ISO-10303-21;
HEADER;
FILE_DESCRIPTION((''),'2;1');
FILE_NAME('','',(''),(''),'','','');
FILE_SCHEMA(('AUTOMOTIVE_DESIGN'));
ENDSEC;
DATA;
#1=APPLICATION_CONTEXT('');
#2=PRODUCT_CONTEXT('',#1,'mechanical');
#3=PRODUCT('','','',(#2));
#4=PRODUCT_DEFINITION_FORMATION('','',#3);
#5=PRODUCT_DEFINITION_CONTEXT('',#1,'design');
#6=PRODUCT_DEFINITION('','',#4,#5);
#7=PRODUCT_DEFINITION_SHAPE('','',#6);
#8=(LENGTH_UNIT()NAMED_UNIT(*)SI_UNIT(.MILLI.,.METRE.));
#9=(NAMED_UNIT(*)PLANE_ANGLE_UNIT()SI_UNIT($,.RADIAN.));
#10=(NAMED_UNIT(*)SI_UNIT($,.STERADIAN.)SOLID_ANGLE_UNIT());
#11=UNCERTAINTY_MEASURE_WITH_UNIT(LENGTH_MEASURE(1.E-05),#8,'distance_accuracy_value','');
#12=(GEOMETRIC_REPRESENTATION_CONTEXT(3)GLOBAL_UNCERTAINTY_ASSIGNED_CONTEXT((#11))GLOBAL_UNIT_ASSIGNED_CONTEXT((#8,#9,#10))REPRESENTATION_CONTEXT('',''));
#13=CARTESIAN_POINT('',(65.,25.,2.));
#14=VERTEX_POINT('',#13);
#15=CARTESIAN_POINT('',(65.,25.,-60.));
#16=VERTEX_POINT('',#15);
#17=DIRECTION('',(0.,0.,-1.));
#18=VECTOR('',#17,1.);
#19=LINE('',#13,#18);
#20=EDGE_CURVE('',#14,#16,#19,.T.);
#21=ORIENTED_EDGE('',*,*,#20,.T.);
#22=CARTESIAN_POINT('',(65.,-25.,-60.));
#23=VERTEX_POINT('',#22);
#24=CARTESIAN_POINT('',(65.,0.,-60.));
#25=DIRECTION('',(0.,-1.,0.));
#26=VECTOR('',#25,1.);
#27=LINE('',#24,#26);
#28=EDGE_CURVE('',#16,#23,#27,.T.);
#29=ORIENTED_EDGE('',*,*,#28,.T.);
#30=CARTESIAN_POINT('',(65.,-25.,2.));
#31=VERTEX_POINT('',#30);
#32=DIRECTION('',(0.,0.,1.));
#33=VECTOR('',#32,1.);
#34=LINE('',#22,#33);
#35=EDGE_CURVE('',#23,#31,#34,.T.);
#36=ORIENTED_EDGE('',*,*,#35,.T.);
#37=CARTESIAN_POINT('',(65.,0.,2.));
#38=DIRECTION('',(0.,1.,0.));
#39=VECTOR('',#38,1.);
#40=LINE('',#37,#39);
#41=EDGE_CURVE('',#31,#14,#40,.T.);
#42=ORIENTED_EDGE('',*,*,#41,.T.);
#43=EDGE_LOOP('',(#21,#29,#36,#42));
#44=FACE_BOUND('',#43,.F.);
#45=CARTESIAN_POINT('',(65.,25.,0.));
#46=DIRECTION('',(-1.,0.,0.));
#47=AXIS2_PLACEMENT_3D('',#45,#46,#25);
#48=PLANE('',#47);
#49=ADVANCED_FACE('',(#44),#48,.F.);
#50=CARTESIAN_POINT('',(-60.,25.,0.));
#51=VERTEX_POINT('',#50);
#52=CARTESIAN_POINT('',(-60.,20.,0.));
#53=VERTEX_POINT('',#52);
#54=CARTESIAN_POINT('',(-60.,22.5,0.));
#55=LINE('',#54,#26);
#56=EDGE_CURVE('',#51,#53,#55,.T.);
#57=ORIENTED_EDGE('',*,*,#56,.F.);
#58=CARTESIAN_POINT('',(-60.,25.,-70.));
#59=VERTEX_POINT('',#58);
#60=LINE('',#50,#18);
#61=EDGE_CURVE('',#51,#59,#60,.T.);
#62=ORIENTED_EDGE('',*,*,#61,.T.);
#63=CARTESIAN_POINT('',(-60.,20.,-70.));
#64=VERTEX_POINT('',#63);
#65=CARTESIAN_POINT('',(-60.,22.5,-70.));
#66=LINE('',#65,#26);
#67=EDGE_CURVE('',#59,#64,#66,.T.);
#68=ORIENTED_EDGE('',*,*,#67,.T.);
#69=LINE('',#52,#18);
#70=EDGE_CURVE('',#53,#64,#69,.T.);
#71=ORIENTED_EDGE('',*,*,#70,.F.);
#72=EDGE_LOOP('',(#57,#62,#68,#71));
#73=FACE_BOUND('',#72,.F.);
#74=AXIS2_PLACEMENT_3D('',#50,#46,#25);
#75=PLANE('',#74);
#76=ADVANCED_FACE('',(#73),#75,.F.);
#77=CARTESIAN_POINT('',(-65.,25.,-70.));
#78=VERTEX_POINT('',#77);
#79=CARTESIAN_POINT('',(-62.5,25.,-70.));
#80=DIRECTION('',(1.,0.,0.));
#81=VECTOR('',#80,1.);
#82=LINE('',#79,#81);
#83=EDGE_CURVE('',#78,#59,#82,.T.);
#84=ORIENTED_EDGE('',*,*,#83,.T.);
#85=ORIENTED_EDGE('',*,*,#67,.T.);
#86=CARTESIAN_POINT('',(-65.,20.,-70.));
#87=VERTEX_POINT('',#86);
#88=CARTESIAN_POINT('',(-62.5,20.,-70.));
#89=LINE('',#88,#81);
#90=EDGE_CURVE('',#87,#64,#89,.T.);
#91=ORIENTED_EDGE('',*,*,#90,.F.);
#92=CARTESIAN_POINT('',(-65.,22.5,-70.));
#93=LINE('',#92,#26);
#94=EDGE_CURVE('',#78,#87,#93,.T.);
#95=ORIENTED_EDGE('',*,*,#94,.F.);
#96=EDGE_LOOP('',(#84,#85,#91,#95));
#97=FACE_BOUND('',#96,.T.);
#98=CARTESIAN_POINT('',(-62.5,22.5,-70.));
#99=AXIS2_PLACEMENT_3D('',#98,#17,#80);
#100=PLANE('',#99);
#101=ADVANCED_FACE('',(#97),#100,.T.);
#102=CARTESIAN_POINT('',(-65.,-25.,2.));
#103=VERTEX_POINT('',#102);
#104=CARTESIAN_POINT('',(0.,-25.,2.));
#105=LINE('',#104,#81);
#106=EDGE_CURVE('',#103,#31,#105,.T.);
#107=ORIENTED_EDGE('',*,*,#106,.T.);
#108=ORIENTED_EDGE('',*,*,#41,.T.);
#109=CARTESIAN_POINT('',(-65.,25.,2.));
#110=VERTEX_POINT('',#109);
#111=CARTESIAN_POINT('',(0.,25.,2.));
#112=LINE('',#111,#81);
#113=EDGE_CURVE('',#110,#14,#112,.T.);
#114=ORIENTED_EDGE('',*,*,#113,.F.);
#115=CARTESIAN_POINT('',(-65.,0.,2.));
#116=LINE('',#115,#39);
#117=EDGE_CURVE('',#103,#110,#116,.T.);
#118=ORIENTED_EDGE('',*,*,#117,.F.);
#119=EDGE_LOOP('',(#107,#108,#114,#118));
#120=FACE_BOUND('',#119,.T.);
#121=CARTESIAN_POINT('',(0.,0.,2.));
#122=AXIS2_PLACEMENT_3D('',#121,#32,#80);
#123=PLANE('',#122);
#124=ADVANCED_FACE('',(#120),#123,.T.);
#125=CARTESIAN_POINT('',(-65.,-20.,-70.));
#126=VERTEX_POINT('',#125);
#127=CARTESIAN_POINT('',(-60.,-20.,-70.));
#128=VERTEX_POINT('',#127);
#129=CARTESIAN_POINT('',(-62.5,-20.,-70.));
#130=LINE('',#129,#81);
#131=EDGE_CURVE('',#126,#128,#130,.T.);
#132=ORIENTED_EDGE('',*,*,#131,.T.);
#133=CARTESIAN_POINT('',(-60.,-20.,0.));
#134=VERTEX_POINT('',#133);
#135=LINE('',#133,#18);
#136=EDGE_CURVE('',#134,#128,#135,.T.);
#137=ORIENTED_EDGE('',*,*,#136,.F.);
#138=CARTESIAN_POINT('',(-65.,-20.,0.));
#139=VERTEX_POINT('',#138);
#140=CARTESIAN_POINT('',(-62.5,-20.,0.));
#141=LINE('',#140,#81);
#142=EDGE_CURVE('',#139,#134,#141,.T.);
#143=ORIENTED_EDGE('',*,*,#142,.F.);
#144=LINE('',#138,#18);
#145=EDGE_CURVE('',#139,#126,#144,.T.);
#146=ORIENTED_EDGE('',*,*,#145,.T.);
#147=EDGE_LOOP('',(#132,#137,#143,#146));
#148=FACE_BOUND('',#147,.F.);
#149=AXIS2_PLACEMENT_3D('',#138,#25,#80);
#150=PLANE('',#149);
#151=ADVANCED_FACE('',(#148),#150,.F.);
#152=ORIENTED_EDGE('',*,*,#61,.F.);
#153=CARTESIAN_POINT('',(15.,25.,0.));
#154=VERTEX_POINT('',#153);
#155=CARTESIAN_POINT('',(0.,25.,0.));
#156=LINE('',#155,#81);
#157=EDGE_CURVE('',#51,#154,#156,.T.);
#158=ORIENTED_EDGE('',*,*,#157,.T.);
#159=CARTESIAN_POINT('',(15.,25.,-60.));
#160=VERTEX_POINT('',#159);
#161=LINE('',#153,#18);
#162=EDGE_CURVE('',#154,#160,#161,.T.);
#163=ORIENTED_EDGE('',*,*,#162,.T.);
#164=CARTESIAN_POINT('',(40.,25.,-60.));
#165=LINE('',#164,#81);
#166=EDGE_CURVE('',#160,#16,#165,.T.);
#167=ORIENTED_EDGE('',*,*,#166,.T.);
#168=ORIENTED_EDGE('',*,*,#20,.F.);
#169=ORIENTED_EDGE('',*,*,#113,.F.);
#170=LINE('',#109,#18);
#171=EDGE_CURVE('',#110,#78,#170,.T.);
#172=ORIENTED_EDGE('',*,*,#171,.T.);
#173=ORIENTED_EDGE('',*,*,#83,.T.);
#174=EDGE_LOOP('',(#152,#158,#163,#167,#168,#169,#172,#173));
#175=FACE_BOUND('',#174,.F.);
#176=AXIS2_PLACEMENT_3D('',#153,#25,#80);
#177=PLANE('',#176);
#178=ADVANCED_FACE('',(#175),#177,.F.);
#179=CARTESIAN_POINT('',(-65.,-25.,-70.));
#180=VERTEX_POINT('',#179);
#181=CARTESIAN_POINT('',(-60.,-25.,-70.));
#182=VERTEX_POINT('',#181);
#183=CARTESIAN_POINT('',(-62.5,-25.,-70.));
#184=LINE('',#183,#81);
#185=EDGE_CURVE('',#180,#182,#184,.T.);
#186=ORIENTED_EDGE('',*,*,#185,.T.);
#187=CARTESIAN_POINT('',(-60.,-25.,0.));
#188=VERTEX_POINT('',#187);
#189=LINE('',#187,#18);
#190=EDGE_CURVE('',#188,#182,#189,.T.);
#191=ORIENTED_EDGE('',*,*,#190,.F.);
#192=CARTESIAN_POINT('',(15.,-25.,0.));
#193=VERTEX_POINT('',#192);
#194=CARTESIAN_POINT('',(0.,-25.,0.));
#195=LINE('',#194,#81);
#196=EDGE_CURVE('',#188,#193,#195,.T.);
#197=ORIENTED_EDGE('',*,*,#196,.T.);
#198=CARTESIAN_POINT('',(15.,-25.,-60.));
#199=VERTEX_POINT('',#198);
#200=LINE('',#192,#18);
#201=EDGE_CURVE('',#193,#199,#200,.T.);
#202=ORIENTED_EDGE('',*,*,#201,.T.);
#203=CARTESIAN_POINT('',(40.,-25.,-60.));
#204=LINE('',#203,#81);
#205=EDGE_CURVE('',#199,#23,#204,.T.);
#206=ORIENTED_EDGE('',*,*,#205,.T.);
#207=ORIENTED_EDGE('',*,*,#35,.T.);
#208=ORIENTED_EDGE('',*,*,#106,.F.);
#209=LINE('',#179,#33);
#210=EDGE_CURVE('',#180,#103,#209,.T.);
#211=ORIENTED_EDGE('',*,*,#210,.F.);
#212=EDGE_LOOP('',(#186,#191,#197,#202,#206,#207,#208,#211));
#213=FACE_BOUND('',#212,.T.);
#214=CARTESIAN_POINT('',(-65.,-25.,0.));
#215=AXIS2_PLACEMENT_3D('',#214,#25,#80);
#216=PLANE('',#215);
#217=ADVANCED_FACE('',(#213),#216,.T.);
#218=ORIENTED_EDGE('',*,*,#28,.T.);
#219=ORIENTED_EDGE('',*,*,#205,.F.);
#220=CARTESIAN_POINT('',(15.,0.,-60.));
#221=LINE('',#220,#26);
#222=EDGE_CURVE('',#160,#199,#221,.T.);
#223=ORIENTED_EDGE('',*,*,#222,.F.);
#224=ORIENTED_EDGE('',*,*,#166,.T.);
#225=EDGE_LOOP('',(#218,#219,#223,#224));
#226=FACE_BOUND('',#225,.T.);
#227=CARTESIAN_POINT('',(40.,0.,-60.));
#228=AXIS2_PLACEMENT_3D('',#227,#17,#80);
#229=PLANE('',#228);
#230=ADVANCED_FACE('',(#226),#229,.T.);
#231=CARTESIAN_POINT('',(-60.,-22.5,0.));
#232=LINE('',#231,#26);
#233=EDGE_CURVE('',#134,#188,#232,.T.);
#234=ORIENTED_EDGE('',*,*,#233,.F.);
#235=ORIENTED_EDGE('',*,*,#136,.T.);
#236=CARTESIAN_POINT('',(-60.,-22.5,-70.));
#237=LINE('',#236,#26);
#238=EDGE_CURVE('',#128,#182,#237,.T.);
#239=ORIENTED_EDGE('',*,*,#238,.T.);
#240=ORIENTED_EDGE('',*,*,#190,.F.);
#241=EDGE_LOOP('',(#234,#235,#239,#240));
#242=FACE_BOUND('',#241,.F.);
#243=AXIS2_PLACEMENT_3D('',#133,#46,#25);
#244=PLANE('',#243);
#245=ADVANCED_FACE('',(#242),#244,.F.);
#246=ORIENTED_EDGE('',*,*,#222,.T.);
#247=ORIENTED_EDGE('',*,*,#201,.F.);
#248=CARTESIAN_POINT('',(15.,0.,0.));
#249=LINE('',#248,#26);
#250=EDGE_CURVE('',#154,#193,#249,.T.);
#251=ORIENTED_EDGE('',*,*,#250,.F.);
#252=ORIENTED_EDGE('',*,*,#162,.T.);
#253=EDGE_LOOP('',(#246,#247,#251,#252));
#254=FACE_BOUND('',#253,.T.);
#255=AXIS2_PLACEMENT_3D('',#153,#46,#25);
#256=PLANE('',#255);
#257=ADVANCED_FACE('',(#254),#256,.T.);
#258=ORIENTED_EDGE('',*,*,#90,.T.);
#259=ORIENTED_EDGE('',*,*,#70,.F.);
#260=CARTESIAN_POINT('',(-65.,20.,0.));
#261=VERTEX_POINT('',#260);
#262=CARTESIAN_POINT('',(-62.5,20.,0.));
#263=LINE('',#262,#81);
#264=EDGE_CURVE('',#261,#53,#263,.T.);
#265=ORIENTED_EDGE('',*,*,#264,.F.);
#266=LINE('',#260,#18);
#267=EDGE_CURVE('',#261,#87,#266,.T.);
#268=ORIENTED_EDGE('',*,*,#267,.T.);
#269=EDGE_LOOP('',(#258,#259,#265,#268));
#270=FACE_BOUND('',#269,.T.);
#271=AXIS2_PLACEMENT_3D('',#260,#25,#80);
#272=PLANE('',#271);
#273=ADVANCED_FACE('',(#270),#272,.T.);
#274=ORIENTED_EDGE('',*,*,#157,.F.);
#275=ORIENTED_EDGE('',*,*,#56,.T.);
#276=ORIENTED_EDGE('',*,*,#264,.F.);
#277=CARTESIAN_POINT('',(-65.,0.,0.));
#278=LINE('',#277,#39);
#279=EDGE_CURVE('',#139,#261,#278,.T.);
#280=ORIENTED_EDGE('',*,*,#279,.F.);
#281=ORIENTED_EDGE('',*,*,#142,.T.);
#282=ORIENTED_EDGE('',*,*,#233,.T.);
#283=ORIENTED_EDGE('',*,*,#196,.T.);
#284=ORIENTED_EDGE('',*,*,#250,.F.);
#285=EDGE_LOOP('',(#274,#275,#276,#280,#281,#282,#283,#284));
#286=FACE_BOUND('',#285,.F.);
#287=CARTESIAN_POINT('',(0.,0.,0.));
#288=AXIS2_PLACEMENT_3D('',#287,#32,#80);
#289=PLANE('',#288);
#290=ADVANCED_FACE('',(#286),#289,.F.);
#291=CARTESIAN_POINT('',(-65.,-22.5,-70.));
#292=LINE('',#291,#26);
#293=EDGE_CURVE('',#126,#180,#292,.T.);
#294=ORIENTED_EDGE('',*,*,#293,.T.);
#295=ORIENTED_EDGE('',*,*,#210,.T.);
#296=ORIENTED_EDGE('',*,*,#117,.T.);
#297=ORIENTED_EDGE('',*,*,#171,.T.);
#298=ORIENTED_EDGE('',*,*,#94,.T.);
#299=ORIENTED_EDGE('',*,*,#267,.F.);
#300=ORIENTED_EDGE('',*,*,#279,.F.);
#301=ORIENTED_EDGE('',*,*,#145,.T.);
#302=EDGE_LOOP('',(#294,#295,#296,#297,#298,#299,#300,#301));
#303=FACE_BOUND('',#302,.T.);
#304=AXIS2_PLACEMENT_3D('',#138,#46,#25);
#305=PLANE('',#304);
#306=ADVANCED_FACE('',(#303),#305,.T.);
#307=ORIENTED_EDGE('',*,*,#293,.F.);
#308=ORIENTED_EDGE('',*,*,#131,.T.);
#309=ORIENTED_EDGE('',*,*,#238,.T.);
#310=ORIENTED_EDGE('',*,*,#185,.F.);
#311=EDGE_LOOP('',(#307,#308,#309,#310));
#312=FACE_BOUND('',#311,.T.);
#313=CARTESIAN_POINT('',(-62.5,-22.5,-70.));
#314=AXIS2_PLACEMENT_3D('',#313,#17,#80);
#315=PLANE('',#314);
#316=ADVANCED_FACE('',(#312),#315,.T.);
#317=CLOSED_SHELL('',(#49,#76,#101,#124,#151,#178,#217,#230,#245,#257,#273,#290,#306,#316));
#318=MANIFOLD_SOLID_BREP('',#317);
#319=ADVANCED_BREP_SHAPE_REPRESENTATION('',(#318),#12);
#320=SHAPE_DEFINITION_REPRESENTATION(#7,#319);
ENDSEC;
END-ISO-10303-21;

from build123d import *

# Parameters (mm, degrees)
F0_W     = 130
F0_H     = 50
F1_DEPTH = 2
F2_W     = 50
F2_H     = 50
F3_DEPTH = 60
F4_W     = 5
F4_H     = 5
F5_DEPTH = 70


with BuildPart() as f1:
    # F0 (on Top) → F1 (new body)
    with BuildSketch(Plane.XY):
        Rectangle(F0_W, F0_H)
    extrude(amount=F1_DEPTH)

    # F2 (on face) → F3 (join)
    with BuildSketch(Plane(origin=(0, 0, 0), x_dir=(1, 0, 0), z_dir=(0, 0, -1))):
        with Locations((40, 0)):
            Rectangle(F2_W, F2_H)
    extrude(amount=F3_DEPTH)

    # F4 (on face) → F5 (join)
    with BuildSketch(Plane(origin=(0, 0, 0), x_dir=(1, 0, 0), z_dir=(0, 0, -1))):
        with Locations((-62.5, 22.5)):
            Rectangle(F4_W, F4_H)
        with Locations((-62.5, -22.5)):
            Rectangle(F4_W, F4_H)
    extrude(amount=F5_DEPTH)


solid = f1.part
